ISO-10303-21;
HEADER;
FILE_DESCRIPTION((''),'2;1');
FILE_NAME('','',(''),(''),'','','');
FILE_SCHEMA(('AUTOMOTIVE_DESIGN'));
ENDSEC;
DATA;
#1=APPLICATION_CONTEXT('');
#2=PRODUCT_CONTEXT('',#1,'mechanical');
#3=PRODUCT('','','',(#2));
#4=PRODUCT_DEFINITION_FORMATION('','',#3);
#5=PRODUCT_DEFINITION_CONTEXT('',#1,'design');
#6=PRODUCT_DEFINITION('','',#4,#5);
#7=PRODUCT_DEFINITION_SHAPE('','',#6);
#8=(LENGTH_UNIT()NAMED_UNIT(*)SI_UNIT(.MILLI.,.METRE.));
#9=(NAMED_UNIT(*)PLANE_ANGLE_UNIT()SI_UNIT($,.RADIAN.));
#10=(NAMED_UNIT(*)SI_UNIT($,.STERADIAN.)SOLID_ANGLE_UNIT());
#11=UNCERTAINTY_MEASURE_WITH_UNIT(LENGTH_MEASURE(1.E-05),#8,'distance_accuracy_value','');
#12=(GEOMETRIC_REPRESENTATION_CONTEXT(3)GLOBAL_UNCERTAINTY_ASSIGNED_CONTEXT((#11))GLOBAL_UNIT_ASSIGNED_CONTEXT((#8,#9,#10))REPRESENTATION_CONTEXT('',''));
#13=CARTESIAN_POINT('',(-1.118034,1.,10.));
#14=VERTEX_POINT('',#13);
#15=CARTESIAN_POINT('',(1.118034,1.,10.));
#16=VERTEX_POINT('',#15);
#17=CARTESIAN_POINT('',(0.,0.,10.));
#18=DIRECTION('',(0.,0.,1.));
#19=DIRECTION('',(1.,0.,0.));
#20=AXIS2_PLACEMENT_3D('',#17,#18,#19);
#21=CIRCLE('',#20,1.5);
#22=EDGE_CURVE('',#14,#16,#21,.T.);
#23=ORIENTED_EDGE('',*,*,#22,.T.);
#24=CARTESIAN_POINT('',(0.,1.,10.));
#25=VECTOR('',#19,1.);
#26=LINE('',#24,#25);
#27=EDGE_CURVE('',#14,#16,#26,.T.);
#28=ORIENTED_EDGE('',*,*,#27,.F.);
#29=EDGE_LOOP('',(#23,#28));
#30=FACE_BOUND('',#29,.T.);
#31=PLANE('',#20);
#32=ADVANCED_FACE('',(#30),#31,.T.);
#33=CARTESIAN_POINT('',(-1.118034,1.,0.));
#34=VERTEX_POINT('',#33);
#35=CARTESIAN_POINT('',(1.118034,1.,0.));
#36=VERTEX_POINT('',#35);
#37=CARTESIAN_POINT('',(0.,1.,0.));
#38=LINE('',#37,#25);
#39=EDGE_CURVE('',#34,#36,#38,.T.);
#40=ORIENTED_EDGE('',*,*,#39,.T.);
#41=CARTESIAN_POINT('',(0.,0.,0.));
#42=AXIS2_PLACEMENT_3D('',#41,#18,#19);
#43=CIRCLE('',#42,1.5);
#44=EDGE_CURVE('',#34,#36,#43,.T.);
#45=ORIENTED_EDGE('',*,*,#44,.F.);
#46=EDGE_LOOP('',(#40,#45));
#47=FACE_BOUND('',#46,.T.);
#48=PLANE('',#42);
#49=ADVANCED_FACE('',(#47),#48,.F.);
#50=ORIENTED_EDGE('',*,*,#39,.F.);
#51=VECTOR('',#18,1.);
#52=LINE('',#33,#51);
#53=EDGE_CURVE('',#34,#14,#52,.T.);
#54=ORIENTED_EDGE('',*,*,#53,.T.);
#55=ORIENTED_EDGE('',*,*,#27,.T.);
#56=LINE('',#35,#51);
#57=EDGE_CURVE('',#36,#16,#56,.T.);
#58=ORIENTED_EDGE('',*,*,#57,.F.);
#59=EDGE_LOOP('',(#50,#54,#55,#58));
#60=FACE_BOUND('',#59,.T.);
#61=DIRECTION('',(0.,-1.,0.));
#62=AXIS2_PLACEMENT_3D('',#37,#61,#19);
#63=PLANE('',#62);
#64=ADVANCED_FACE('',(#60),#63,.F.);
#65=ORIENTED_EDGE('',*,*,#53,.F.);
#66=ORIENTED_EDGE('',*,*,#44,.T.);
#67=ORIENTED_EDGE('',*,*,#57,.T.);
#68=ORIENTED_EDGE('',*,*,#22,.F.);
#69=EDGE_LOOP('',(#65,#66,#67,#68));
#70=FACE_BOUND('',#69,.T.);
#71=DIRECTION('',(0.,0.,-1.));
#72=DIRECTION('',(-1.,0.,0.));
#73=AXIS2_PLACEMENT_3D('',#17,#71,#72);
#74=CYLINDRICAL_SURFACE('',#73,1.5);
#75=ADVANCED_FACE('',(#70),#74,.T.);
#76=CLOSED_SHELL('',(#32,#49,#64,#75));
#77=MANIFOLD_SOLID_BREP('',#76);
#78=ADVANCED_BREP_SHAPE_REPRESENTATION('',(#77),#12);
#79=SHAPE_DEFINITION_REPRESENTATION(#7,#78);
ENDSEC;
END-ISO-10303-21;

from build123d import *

# Parameters (mm, degrees)
SKETCH_1_R          = 1.5
EXTRUDE_1_DEPTH     = 10
CUT_EXTRUDE_1_DEPTH = 10


with BuildPart() as part:
    # 草图1 → 凸台-拉伸1 (new body)
    with BuildSketch(Plane.XY):
        Circle(SKETCH_1_R)
    extrude(amount=EXTRUDE_1_DEPTH)

    # 草图2 → 切除-拉伸1 (cut)
    with BuildSketch(Plane.XY.offset(10)):
        with BuildLine():
            ThreePointArc((1.118033989, 1), (0, 1.5), (-1.118033989, 1))
            Line((-1.118033989, 1), (0, 1))
            Line((0, 1), (1.118033989, 1))
        make_face()
    extrude(amount=-CUT_EXTRUDE_1_DEPTH, mode=Mode.SUBTRACT)


solid = part.part
